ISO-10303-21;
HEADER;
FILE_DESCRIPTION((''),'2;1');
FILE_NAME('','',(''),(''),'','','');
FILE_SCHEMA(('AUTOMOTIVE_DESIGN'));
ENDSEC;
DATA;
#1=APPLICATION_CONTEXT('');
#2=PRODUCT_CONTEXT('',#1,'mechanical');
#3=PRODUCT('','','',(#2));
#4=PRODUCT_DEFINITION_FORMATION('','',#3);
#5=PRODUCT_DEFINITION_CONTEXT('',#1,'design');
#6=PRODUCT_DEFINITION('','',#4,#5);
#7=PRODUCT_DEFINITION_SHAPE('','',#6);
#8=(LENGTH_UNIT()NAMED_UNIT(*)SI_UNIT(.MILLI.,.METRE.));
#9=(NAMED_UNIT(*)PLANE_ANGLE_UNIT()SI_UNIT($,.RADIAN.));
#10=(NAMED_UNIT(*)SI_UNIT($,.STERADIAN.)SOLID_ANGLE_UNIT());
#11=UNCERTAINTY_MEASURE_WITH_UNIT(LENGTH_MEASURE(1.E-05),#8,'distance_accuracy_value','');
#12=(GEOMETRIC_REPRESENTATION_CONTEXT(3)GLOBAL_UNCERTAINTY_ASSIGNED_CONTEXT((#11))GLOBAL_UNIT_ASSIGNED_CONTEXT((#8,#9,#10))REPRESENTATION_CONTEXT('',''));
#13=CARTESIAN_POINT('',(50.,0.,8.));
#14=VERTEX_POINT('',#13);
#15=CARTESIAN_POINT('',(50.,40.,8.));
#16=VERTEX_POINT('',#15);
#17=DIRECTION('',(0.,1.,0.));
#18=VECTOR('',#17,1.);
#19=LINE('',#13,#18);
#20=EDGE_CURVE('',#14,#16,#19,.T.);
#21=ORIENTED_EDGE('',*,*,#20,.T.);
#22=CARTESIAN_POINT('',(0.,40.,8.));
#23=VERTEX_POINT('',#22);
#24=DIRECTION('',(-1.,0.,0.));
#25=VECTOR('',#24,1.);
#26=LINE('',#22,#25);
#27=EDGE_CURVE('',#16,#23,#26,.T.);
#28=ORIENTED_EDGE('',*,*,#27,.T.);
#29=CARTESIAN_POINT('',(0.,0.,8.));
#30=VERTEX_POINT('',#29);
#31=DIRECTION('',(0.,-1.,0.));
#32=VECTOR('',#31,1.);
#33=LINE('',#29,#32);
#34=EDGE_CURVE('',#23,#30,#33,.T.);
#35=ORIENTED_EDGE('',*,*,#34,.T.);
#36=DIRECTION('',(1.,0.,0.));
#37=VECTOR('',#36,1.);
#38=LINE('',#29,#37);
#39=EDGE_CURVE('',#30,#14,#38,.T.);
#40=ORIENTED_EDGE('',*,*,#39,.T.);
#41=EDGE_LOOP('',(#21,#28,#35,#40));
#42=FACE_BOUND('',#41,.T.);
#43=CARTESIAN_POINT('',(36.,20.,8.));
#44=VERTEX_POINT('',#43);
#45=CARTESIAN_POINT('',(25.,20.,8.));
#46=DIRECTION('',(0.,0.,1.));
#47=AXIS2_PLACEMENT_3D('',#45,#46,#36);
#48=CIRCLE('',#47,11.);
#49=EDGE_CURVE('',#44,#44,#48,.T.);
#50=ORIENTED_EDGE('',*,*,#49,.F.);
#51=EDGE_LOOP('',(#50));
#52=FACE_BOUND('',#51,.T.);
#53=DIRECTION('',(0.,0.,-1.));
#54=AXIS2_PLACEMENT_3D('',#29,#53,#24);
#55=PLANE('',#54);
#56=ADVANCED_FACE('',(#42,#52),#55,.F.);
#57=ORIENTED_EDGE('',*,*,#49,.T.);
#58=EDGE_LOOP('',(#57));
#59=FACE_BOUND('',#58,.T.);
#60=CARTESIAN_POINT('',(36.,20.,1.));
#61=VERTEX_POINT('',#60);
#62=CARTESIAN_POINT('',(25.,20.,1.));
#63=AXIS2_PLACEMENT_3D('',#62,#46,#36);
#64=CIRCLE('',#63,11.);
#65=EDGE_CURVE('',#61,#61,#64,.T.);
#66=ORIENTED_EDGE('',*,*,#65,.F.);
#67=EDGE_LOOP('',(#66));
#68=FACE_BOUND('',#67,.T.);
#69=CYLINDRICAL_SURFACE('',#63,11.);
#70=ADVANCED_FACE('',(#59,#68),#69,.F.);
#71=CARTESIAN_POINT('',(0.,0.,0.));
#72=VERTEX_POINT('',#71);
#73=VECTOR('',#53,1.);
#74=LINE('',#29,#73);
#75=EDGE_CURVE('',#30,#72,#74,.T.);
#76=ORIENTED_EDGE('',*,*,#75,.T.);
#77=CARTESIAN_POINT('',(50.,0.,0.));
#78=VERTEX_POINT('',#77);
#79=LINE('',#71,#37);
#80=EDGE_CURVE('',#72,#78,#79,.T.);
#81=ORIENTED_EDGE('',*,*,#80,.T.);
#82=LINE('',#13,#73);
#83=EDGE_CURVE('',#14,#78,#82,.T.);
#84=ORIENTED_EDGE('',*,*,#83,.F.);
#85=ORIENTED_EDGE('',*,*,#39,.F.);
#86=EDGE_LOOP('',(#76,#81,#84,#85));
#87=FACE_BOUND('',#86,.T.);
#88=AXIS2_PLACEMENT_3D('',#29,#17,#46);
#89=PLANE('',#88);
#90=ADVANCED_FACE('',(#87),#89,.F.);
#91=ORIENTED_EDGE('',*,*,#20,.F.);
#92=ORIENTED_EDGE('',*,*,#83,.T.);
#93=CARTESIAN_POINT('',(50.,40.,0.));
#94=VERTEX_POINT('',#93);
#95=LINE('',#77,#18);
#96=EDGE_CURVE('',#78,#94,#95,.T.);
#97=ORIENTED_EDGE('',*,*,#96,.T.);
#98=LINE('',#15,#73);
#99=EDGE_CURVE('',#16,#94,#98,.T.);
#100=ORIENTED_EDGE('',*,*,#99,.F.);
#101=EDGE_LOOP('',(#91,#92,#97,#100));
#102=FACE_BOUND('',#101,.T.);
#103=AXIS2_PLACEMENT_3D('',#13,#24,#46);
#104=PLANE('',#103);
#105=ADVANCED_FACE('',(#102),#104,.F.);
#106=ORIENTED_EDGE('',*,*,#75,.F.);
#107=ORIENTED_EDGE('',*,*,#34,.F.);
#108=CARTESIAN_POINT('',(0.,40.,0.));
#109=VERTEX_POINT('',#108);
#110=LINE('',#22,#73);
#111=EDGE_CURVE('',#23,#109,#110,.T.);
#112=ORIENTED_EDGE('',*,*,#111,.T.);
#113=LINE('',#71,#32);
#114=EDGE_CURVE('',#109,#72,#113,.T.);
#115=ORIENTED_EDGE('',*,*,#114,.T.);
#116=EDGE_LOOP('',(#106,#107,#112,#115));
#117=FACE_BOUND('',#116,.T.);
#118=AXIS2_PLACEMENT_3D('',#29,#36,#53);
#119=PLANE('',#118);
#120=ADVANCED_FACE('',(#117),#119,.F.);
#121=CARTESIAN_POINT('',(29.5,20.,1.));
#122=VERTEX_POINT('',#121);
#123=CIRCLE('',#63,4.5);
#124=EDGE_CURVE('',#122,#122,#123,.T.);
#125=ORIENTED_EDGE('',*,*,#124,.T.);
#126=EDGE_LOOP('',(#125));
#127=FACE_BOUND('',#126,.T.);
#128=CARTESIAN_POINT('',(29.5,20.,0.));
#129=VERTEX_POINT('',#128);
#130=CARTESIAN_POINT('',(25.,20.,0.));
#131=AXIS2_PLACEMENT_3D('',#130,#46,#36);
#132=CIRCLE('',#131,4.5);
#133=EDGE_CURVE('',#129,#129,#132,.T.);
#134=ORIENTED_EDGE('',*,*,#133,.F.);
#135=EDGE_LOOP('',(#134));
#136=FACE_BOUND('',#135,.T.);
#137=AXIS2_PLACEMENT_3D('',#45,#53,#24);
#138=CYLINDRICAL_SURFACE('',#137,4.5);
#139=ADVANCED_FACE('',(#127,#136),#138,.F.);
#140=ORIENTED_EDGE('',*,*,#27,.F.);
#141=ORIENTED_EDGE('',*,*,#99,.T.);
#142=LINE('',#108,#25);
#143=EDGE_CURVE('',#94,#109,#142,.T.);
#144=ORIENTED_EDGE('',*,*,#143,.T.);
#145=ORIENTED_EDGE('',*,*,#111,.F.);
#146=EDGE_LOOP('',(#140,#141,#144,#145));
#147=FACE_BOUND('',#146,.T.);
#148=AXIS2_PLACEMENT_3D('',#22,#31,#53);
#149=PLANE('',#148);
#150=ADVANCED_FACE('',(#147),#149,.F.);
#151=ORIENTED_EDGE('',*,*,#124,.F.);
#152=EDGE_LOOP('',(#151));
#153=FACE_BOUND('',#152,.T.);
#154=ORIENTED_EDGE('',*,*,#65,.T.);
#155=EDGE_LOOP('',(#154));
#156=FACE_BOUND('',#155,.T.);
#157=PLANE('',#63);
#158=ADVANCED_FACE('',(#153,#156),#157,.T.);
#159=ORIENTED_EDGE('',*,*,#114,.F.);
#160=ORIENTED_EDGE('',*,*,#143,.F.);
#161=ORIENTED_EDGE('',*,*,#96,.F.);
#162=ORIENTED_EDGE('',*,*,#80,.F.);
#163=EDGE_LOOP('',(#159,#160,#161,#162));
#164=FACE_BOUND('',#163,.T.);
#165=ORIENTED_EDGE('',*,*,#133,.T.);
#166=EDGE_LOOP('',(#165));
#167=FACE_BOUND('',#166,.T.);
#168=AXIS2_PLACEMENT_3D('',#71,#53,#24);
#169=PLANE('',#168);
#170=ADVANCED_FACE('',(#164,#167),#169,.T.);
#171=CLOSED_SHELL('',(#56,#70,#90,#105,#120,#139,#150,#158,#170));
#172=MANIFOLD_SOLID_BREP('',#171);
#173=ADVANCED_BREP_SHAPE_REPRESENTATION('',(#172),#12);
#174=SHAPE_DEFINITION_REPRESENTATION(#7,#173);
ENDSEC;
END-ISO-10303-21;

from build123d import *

# Parameters (mm, degrees)
ESQUISSE1_W             = 50
ESQUISSE1_H             = 40
ESQUISSE1_R             = 4.5
BOSS_EXTRU_1_DEPTH      = 8
ESQUISSE2_R             = 11
ENL_V_MAT_EXTRU_1_DEPTH = 7


with BuildPart() as part:
    # Esquisse1 → Boss.-Extru.1 (new body)
    with BuildSketch(Plane.XY):
        with Locations((25, 20)):
            Rectangle(ESQUISSE1_W, ESQUISSE1_H)
        with Locations((25, 20)):
            Circle(ESQUISSE1_R, mode=Mode.SUBTRACT)
    extrude(amount=BOSS_EXTRU_1_DEPTH)

    # Esquisse2 → Enlèv. mat.-Extru.1 (cut)
    with BuildSketch(Plane.XY.offset(8)):
        with Locations((25, 20)):
            Circle(ESQUISSE2_R)
    extrude(amount=-ENL_V_MAT_EXTRU_1_DEPTH, mode=Mode.SUBTRACT)


solid = part.part
